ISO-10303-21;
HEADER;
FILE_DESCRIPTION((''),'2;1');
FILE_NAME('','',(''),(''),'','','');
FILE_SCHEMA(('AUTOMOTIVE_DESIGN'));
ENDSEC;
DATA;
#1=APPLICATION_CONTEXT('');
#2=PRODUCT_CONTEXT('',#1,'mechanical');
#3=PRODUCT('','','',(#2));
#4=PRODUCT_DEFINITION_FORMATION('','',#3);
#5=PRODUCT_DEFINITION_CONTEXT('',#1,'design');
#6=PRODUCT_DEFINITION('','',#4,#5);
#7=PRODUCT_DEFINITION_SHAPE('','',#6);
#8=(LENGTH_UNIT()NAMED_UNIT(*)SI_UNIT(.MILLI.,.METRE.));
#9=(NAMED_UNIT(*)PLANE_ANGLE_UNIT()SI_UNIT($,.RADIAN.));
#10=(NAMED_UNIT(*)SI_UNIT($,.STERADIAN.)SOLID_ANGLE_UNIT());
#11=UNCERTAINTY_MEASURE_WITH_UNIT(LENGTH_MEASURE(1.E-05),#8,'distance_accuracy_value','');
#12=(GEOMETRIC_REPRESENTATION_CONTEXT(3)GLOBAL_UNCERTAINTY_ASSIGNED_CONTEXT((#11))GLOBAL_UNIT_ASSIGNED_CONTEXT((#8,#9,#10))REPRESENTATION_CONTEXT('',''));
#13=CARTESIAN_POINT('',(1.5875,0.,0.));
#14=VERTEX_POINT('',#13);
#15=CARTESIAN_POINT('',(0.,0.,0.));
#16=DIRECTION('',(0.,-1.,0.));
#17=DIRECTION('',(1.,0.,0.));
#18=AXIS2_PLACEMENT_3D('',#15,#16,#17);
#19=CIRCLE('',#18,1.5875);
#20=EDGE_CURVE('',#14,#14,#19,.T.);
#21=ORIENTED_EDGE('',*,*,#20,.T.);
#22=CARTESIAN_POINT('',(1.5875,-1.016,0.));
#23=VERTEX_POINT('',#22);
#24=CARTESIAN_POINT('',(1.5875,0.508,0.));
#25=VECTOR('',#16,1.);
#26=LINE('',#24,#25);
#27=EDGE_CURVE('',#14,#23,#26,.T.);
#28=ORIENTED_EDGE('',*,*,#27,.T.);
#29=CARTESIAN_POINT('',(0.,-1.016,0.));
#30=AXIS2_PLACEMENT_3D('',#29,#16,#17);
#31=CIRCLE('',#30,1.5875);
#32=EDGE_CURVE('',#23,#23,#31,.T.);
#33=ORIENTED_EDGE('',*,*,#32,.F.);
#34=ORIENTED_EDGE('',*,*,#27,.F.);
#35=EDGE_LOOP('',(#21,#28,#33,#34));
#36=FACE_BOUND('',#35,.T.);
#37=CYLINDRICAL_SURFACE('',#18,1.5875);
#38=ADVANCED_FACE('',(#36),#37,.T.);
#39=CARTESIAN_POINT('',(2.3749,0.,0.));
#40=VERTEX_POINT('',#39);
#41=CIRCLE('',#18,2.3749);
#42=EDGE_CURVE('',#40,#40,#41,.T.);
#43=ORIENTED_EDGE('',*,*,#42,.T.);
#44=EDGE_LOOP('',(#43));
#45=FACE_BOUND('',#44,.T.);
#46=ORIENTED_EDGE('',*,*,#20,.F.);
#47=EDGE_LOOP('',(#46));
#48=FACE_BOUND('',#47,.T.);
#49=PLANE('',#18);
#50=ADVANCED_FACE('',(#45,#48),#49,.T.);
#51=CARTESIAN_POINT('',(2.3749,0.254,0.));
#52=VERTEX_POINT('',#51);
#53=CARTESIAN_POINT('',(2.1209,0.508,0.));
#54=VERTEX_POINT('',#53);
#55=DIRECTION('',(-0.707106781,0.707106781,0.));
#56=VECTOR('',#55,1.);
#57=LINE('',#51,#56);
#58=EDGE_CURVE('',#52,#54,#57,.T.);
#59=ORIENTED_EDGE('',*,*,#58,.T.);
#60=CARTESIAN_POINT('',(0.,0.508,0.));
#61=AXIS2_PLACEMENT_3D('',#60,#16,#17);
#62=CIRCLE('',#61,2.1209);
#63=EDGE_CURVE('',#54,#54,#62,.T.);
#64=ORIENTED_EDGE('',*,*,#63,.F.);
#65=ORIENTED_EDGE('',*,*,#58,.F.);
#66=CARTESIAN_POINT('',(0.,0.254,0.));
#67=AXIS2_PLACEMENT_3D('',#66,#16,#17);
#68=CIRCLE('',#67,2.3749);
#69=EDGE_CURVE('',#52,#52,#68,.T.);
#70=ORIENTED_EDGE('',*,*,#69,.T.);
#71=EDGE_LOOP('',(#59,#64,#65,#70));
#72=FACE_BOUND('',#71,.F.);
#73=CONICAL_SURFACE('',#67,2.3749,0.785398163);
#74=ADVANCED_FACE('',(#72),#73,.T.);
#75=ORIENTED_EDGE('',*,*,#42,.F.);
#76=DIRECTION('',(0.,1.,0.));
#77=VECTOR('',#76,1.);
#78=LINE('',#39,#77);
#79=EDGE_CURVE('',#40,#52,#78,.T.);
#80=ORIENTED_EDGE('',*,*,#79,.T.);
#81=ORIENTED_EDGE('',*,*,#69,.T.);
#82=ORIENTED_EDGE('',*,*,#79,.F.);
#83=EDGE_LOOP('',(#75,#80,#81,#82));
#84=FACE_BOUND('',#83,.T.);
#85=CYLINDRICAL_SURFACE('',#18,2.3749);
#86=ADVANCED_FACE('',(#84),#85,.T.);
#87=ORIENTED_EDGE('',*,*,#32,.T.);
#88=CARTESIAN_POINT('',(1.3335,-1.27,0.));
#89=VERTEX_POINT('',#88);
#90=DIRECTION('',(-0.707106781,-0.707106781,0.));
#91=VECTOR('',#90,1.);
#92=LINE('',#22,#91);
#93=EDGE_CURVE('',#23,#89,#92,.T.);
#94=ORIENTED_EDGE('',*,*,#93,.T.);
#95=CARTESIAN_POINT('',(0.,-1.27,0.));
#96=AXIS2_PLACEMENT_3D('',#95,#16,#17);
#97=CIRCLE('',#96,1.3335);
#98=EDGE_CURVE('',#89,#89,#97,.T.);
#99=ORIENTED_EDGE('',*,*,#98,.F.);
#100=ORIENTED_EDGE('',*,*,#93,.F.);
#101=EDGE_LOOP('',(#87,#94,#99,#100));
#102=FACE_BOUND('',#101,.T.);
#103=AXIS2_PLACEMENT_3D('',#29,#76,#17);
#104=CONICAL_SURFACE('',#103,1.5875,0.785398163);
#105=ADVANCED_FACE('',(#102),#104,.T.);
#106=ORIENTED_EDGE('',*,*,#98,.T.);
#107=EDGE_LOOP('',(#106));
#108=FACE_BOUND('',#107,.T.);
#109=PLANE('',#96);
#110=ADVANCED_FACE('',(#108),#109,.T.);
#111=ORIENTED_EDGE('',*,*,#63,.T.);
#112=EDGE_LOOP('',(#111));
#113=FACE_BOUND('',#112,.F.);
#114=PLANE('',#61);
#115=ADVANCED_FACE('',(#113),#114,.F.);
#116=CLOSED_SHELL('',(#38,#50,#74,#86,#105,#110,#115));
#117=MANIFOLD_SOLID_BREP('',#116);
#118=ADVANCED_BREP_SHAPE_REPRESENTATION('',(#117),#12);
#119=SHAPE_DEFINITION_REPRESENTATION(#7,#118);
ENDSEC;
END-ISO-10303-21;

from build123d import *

# Parameters (mm, degrees)
F0_R          = 1.5875
F1_DEPTH      = 1.27
F1_DEPTH_BACK = 0.508
F0_R_2        = 2.3749
F2_DEPTH      = 0.508
F3_SIZE       = 0.254


with BuildPart() as f1:
    # F0 (on Front) → F1 (new body, two sides)
    with BuildSketch(Plane.XZ) as f1_sk:
        Circle(F0_R)
    extrude(amount=F1_DEPTH)
    extrude(f1_sk.sketch, amount=-F1_DEPTH_BACK)

    # F0 (on Front) → F2 (join)
    with BuildSketch(Plane.XZ):
        Circle(F0_R_2)
        Circle(F0_R, mode=Mode.SUBTRACT)
    extrude(amount=-F2_DEPTH)

    # F3
    f3_edges = [f1.edges().sort_by_distance(p)[0] for p in [
        (-2.3749, 0.508, 0),
        (-1.5875, -1.27, 0),
    ]]
    chamfer(f3_edges, length=F3_SIZE)


solid = f1.part
